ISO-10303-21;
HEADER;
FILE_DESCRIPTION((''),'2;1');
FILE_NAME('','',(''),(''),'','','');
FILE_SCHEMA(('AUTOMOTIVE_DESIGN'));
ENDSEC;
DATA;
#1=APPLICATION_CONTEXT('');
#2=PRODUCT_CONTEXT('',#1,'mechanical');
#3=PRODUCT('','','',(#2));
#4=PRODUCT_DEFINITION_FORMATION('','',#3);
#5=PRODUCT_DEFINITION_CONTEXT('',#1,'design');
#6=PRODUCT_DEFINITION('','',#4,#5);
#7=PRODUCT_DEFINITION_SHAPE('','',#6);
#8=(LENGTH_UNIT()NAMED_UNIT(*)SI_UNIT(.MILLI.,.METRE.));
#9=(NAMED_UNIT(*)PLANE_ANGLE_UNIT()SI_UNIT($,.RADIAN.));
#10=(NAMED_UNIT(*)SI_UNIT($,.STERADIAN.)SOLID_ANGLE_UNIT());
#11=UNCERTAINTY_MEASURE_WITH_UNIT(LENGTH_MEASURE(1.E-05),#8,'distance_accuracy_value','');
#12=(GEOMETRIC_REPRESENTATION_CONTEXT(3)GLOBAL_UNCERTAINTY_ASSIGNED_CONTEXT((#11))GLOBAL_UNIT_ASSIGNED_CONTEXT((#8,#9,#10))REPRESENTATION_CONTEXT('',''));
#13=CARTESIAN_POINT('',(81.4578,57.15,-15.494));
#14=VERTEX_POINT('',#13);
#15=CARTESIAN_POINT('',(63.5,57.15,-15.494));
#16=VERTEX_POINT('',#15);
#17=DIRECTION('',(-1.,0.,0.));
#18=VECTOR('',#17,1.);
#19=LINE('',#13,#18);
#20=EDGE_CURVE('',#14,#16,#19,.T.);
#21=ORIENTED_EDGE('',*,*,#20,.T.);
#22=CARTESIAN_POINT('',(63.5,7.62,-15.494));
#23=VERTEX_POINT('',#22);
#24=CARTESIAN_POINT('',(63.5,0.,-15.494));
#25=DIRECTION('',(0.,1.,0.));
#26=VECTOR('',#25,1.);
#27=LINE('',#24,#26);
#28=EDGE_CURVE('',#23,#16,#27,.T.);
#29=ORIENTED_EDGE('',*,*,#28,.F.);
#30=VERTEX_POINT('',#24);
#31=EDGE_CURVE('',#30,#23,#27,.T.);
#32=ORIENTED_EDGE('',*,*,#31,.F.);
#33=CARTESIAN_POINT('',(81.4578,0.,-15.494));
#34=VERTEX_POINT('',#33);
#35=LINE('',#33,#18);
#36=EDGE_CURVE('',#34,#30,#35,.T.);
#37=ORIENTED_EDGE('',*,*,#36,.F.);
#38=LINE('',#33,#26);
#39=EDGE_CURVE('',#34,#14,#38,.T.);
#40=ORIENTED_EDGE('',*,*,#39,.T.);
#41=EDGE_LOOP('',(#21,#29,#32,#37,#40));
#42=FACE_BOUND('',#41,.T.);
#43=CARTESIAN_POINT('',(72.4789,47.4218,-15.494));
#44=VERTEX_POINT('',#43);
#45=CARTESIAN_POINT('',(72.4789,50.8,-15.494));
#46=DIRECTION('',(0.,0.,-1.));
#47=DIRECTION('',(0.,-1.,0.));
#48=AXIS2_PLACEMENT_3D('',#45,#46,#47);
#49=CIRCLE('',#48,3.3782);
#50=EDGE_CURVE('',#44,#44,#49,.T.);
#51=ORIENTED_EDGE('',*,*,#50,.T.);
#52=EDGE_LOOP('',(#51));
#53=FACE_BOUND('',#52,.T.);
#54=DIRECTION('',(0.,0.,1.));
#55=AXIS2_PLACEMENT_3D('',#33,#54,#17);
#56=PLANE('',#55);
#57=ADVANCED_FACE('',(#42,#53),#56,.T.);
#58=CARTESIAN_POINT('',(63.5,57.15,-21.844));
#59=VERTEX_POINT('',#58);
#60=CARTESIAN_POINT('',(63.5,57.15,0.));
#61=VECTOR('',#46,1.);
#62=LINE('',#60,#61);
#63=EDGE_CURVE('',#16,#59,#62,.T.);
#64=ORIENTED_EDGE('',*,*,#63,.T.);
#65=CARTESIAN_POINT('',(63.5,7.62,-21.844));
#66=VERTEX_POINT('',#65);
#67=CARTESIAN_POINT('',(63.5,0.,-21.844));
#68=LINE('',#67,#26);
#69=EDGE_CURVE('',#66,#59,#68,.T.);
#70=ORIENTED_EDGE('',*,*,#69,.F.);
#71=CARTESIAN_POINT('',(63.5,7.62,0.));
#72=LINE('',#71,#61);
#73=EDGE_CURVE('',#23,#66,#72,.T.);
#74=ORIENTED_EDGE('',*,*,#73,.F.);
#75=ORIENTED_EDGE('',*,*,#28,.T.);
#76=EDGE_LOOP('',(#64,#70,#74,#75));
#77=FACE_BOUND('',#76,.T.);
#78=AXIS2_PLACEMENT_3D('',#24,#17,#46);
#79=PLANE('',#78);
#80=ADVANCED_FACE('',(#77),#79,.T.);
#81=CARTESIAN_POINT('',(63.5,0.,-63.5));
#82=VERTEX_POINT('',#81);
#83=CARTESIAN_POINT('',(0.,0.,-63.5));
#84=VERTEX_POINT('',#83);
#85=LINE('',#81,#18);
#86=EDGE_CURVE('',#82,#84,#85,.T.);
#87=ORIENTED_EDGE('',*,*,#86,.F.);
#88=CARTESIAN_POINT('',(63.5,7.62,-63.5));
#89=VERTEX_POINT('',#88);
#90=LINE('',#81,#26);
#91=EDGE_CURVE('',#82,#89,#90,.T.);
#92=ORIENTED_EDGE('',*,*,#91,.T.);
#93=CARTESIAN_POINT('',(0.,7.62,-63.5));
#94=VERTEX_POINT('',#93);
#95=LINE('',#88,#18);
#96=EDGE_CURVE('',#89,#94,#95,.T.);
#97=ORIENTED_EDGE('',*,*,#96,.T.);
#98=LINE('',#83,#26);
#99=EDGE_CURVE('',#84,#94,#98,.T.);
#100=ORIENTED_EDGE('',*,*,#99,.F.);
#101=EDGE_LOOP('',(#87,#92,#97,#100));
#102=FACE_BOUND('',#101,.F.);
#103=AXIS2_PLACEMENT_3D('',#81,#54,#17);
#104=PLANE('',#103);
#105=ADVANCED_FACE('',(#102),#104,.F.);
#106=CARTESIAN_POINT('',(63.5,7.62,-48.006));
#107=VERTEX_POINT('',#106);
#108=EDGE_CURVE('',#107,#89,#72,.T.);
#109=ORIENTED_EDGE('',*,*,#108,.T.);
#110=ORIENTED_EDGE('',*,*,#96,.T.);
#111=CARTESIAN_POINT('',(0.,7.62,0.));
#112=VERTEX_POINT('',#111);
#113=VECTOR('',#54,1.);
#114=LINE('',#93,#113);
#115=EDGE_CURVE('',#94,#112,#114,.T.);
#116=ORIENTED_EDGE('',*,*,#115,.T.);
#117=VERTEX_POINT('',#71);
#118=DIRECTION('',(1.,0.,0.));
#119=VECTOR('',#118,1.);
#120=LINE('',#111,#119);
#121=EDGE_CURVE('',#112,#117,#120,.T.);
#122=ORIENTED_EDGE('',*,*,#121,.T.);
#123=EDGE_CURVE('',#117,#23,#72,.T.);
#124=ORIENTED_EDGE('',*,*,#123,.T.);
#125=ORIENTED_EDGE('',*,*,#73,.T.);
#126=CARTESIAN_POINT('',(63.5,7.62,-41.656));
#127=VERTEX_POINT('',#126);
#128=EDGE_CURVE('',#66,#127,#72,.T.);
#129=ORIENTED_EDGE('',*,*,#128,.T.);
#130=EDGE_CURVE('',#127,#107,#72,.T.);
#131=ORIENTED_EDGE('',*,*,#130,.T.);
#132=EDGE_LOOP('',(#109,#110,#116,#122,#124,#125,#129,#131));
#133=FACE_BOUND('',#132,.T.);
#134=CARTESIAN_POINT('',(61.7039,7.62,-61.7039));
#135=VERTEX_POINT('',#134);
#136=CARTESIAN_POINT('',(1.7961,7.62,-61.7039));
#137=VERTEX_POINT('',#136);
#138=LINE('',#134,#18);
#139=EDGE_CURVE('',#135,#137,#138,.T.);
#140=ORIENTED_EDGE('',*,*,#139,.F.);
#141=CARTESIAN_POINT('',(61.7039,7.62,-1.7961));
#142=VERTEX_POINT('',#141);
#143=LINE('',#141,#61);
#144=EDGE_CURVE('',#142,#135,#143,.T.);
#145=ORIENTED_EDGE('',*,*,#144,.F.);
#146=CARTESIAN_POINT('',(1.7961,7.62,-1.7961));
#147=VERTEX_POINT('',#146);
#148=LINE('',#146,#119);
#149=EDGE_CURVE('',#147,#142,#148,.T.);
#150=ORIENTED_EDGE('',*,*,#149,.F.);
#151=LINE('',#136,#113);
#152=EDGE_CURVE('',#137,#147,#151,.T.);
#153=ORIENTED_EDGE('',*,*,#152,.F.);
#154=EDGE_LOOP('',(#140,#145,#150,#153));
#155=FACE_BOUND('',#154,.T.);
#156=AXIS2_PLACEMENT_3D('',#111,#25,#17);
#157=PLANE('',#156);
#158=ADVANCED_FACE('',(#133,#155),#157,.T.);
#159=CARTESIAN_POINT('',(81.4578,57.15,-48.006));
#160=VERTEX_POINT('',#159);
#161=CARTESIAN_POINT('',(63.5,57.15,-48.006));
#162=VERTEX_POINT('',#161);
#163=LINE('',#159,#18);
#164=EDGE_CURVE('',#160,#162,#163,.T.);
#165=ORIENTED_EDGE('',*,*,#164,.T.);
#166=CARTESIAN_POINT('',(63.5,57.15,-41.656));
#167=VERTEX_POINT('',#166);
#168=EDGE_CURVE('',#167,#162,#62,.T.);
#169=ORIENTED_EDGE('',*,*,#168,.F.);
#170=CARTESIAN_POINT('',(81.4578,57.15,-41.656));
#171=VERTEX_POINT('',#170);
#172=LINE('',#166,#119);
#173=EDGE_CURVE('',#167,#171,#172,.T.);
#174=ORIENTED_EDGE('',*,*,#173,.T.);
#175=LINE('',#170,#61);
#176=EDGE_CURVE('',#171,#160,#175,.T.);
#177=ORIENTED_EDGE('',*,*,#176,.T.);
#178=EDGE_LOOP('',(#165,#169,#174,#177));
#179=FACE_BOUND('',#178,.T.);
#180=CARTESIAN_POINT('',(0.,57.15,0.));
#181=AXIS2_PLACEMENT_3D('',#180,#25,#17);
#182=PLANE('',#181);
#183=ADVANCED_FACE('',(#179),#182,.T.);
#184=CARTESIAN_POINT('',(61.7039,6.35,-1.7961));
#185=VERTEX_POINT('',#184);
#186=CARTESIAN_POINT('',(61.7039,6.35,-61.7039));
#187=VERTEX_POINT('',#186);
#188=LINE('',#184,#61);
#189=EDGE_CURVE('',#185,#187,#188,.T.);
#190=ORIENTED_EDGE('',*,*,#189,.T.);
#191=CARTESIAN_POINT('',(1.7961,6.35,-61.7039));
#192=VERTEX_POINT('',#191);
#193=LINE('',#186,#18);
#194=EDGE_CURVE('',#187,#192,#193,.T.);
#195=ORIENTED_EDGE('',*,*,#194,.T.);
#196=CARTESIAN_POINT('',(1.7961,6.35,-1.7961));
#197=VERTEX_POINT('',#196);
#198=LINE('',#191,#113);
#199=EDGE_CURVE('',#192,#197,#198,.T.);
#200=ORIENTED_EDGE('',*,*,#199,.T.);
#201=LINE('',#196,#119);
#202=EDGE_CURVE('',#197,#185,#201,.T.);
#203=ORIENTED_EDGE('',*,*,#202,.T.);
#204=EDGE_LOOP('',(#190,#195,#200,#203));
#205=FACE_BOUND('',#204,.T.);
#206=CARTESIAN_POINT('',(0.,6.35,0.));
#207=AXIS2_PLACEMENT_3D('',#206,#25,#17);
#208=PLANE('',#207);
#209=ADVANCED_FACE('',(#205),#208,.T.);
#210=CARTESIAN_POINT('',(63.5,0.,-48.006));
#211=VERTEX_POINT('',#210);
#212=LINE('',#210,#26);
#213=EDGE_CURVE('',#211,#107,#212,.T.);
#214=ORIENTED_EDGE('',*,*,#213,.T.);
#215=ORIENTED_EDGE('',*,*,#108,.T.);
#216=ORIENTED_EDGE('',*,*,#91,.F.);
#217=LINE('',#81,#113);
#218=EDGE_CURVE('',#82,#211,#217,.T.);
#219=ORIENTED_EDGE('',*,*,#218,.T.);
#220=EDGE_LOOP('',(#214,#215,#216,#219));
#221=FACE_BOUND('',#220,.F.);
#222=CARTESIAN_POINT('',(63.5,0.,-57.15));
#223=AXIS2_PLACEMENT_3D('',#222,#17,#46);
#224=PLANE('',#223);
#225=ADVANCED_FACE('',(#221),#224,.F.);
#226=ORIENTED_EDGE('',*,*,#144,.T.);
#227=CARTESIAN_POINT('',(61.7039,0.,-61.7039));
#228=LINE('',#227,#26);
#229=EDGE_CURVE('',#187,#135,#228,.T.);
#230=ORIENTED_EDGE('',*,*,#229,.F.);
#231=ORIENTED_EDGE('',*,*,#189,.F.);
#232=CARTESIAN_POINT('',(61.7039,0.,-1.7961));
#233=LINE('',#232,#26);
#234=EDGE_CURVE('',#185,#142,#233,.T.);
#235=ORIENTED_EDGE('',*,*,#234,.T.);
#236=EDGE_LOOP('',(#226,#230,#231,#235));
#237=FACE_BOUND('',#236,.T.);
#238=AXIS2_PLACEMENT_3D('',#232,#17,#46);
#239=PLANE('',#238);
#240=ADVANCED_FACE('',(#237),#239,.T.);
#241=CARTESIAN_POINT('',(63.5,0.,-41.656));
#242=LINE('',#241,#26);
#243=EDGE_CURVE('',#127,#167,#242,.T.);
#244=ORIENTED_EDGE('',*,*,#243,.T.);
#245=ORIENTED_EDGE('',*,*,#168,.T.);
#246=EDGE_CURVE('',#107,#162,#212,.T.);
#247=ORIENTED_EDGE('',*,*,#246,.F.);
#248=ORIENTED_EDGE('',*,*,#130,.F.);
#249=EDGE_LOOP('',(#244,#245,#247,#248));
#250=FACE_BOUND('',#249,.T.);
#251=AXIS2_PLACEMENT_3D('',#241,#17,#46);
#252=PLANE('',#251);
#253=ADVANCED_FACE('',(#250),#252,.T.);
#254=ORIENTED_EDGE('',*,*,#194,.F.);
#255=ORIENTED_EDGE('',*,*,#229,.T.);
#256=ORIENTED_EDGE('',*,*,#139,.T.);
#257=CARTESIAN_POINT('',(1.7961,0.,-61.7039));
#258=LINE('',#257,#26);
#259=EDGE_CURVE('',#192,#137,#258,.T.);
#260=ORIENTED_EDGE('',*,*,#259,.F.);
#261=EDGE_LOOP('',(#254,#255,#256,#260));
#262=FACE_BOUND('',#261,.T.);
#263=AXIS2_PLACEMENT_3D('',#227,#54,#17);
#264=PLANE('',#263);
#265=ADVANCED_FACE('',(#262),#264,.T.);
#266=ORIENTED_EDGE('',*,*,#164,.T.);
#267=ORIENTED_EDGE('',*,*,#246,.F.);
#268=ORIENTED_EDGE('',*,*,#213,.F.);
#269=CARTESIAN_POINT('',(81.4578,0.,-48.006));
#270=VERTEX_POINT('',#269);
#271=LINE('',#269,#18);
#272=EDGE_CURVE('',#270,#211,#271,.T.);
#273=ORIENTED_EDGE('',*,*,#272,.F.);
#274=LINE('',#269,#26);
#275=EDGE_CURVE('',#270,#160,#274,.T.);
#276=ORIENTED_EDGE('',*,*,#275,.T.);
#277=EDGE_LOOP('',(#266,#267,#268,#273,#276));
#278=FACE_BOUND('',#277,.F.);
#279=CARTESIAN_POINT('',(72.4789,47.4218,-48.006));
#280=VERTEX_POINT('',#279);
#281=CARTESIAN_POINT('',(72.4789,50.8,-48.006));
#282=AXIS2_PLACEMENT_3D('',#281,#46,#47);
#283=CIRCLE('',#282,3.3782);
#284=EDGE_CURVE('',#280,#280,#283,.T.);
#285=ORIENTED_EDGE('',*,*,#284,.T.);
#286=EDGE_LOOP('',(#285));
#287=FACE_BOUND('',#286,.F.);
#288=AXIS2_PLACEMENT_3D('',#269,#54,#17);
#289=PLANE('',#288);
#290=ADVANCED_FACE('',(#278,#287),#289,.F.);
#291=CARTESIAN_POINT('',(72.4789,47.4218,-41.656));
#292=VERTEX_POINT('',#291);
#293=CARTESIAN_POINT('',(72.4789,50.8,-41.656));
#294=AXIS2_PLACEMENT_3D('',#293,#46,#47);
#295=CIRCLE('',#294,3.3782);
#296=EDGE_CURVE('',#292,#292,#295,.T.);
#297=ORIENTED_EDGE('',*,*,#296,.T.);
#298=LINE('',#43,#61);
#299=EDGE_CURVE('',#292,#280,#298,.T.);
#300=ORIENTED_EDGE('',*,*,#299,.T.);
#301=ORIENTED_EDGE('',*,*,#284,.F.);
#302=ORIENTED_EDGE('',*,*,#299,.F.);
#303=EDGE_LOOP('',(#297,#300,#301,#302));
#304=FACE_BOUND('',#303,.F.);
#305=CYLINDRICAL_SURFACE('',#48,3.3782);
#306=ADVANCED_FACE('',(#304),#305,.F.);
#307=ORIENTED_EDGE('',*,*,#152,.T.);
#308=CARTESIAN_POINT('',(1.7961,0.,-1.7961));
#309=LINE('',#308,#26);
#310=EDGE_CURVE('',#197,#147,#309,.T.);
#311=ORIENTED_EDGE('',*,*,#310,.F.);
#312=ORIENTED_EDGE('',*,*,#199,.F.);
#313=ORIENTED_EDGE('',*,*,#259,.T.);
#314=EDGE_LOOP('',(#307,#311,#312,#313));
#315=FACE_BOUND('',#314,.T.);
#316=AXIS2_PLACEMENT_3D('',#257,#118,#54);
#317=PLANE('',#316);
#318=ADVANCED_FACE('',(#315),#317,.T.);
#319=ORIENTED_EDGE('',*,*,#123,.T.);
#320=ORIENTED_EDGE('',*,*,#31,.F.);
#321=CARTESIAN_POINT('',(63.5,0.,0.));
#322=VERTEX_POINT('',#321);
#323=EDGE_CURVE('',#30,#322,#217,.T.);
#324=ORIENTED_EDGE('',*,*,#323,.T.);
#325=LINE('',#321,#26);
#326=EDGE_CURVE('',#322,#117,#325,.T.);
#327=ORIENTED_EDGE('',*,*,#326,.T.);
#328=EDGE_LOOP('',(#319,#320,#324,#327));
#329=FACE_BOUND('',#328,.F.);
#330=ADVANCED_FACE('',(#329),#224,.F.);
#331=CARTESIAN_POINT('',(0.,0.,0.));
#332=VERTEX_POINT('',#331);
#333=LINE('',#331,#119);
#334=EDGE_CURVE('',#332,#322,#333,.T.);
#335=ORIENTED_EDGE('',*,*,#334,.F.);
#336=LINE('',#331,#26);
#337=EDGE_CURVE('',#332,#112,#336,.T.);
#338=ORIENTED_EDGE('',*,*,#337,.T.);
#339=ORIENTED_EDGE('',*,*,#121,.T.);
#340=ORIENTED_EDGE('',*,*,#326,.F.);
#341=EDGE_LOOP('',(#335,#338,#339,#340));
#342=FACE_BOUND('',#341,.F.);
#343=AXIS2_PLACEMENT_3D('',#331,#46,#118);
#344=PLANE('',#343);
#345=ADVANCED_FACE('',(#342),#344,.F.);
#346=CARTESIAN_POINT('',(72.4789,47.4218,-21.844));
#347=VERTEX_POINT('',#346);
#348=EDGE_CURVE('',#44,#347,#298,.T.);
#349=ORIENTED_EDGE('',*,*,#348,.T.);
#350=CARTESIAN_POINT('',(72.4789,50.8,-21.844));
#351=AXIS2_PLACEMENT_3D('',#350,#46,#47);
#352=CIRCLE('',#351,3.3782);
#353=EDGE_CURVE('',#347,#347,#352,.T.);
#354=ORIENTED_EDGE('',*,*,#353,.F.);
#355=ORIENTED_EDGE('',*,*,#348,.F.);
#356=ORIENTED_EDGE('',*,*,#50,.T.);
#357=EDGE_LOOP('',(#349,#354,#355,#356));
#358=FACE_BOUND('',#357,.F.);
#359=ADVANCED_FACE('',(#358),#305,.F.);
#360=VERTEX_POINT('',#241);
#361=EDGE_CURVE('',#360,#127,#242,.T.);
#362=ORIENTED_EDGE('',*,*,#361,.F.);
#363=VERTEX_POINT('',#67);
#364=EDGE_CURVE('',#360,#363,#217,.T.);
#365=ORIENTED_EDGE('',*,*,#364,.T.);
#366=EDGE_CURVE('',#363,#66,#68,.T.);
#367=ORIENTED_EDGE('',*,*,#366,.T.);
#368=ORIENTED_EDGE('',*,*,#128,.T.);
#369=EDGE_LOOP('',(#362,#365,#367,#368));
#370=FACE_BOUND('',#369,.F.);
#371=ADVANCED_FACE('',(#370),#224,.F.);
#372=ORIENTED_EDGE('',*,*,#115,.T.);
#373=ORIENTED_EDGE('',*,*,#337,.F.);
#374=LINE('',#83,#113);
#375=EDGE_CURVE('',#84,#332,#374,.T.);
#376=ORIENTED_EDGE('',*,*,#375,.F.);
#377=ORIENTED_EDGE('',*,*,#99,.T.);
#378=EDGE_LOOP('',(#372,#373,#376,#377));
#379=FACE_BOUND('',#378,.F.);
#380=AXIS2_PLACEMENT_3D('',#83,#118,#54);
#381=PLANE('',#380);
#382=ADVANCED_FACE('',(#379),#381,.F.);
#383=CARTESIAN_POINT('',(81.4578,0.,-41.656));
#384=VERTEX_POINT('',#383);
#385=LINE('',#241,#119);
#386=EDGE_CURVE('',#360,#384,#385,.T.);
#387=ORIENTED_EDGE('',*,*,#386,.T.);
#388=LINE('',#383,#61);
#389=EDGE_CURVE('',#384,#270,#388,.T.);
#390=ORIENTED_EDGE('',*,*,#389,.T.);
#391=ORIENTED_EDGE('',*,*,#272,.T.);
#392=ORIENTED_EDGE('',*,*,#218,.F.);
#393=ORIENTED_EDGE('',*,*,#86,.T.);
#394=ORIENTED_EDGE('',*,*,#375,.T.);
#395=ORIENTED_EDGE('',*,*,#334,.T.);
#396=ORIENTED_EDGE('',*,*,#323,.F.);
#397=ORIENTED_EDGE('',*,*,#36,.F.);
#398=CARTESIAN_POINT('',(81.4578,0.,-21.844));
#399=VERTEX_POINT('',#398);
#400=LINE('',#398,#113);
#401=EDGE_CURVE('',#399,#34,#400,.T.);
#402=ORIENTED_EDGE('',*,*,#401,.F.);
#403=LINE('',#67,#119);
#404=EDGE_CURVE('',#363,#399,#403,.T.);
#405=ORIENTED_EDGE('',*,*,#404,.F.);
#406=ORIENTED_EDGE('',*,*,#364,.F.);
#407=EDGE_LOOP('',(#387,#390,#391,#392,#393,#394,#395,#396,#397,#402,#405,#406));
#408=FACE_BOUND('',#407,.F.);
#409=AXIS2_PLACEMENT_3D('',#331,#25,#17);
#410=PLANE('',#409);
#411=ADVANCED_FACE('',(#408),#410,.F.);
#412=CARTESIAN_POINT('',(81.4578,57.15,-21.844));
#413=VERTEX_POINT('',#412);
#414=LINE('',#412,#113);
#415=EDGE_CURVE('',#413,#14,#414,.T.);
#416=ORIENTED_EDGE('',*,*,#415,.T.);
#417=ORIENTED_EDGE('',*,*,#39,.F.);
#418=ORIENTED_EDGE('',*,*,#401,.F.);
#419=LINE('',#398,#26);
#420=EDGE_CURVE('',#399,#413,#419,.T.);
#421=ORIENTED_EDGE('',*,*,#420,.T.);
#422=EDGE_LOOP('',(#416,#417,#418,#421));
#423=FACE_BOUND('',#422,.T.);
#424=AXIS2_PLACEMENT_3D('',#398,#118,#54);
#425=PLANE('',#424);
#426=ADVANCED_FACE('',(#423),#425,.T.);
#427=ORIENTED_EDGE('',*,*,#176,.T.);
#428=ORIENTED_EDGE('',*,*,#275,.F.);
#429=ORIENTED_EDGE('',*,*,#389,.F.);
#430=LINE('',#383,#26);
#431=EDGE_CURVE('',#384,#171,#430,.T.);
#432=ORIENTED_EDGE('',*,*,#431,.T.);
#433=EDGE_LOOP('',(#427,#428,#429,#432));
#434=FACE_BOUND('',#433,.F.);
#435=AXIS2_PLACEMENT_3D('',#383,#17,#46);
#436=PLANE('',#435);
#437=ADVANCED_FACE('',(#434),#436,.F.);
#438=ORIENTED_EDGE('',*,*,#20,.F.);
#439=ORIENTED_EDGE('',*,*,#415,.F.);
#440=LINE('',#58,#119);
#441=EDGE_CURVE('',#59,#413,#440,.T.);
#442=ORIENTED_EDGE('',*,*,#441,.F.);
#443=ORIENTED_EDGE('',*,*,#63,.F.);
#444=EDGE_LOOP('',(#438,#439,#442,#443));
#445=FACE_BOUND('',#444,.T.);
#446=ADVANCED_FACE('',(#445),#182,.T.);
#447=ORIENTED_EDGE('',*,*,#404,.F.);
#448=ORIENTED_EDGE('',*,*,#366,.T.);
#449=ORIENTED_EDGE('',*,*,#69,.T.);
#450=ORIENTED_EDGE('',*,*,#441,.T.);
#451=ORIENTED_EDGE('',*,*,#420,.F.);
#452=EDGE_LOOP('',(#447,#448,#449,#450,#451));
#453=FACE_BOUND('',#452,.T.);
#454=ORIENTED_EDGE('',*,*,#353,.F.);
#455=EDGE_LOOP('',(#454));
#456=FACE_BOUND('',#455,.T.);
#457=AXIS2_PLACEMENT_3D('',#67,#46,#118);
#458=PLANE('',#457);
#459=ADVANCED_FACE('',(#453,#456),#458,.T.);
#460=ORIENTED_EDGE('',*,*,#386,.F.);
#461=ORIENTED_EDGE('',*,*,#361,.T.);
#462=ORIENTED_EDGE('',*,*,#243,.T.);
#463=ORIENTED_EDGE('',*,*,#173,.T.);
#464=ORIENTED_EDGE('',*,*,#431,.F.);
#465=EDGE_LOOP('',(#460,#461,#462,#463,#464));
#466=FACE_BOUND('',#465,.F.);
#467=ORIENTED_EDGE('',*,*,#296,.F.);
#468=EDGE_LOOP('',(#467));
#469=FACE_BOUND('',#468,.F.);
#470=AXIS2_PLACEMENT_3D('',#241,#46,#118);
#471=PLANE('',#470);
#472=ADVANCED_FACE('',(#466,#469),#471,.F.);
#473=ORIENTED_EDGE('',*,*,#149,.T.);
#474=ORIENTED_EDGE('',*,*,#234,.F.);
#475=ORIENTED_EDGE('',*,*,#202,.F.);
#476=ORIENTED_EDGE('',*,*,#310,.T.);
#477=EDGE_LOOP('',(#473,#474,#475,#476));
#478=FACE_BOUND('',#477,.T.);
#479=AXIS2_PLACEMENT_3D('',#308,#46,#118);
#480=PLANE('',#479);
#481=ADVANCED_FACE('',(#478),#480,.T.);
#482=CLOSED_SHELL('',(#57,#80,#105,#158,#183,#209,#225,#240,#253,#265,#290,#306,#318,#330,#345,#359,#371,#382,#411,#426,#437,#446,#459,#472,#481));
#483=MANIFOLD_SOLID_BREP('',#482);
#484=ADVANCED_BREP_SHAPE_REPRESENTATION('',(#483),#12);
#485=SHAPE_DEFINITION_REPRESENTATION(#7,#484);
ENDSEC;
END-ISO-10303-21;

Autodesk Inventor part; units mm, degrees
ref_plane "YZ Plane" through (0, 0, 0) normal (1, 0, 0) x (0, 1, 0)
ref_plane "XZ Plane" through (0, 0, 0) normal (0, 1, 0) x (-1, 0, 0)
ref_plane "XY Plane" through (0, 0, 0) normal (0, 0, 1) x (1, 0, 0)
sketch "Sketch1" plane through (0, 0, 0) normal (0, 1, 0) x (-1, 0, 0)
  line L0 (0, 0) -> (-63.5, 0)
  line L1 (-63.5, 0) -> (-63.5, -63.5)
  line L2 (-63.5, -63.5) -> (0, -63.5)
  line L3 (0, -63.5) -> (0, 0)
  line L4 (-63.5, -57.15) -> (-63.5, -63.5)
  line L5 (-63.5, -6.35) -> (-63.5, 0)
  line L6 (-63.5, -31.75) -> (-63.5, -41.656)
  line L7 (-63.5, -31.75) -> (-63.5, -21.844)
  line L8 (-63.5, -21.844) -> (-81.4578, -21.844)
  line L9 (-81.4578, -21.844) -> (-81.4578, -15.494)
  line L10 (-81.4578, -15.494) -> (-63.5, -15.494)
  line L11 (-63.5, -15.494) -> (-63.5, -21.844)
  line L12 (-63.5, -41.656) -> (-81.4578, -41.656)
  line L13 (-81.4578, -41.656) -> (-81.4578, -48.006)
  line L14 (-81.4578, -48.006) -> (-63.5, -48.006)
  line L15 (-63.5, -48.006) -> (-63.5, -41.656)
  line L16 (0, 0) -> (-1.7961, -1.7961)
  line L17 (0, 0) -> (2.54, 0) construction
  line L18 (-63.5, -63.5) -> (-61.7039, -61.7039)
  line L19 (-1.7961, -1.7961) -> (-61.7039, -1.7961)
  line L20 (-61.7039, -1.7961) -> (-61.7039, -61.7039)
  line L21 (-61.7039, -61.7039) -> (-1.7961, -61.7039)
  line L22 (-1.7961, -61.7039) -> (-1.7961, -1.7961)
  point P0 (-63.5, -15.494)
  dimension "PlatformL" = 63.5
  dimension "PlatformW" = 63.5
  dimension "SideThickness" = 9.906
  dimension "d12" = 9.906
  dimension "EarWidth" = 17.9578
  dimension "EarThickness" = 6.35
  dimension "d15" = 17.9578
  dimension "d16" = 6.35
  dimension "d26" = 2.54
  dimension "d27" = 135
  dimension "d28" = 2.54
extrude "Extrusion1" add sketch "Sketch1" along normal blind 6.35 contours L22 L21 L20 L19
extrude "Extrusion2" add sketch "Sketch1" along normal blind 57.15 contours L1 L8 L9 L10 | L14 L13 L12 L1
sketch "Sketch3" plane through (63.5, 0, -15.494) normal (0, 0, 1) x (1, 0, 0)
  line L0 (0, 0) -> (17.9578, 0) projected
  line L1 (8.9789, 0) -> (8.9789, 50.8)
  line L2 (8.9789, 0) -> (59.7789, 0) construction
  point P0 (-63.5, 0)
  dimension "HeightToHole" = 50.8
  dimension "d18" = 90
hole "Hole1" at (72.4789, 50.8, -15.494) direction (0, 0, -1) diameter 6.7564 end through all clearance for "Flat Head Machine Screw (82)" size "1/4" standard "Ansi Unified Screw Threads"
extrude "Extrusion3" add sketch "Sketch1" along normal blind 7.62 contours L16 L19 L20 L18 L1 L0 | L3 L2 L18 L21 L22 L16
equation "\"d12\" = SideThickness"
equation "\"d15\" = EarWidth"
equation "\"d16\" = EarThickness"
properties part number "wastebottleholder"
